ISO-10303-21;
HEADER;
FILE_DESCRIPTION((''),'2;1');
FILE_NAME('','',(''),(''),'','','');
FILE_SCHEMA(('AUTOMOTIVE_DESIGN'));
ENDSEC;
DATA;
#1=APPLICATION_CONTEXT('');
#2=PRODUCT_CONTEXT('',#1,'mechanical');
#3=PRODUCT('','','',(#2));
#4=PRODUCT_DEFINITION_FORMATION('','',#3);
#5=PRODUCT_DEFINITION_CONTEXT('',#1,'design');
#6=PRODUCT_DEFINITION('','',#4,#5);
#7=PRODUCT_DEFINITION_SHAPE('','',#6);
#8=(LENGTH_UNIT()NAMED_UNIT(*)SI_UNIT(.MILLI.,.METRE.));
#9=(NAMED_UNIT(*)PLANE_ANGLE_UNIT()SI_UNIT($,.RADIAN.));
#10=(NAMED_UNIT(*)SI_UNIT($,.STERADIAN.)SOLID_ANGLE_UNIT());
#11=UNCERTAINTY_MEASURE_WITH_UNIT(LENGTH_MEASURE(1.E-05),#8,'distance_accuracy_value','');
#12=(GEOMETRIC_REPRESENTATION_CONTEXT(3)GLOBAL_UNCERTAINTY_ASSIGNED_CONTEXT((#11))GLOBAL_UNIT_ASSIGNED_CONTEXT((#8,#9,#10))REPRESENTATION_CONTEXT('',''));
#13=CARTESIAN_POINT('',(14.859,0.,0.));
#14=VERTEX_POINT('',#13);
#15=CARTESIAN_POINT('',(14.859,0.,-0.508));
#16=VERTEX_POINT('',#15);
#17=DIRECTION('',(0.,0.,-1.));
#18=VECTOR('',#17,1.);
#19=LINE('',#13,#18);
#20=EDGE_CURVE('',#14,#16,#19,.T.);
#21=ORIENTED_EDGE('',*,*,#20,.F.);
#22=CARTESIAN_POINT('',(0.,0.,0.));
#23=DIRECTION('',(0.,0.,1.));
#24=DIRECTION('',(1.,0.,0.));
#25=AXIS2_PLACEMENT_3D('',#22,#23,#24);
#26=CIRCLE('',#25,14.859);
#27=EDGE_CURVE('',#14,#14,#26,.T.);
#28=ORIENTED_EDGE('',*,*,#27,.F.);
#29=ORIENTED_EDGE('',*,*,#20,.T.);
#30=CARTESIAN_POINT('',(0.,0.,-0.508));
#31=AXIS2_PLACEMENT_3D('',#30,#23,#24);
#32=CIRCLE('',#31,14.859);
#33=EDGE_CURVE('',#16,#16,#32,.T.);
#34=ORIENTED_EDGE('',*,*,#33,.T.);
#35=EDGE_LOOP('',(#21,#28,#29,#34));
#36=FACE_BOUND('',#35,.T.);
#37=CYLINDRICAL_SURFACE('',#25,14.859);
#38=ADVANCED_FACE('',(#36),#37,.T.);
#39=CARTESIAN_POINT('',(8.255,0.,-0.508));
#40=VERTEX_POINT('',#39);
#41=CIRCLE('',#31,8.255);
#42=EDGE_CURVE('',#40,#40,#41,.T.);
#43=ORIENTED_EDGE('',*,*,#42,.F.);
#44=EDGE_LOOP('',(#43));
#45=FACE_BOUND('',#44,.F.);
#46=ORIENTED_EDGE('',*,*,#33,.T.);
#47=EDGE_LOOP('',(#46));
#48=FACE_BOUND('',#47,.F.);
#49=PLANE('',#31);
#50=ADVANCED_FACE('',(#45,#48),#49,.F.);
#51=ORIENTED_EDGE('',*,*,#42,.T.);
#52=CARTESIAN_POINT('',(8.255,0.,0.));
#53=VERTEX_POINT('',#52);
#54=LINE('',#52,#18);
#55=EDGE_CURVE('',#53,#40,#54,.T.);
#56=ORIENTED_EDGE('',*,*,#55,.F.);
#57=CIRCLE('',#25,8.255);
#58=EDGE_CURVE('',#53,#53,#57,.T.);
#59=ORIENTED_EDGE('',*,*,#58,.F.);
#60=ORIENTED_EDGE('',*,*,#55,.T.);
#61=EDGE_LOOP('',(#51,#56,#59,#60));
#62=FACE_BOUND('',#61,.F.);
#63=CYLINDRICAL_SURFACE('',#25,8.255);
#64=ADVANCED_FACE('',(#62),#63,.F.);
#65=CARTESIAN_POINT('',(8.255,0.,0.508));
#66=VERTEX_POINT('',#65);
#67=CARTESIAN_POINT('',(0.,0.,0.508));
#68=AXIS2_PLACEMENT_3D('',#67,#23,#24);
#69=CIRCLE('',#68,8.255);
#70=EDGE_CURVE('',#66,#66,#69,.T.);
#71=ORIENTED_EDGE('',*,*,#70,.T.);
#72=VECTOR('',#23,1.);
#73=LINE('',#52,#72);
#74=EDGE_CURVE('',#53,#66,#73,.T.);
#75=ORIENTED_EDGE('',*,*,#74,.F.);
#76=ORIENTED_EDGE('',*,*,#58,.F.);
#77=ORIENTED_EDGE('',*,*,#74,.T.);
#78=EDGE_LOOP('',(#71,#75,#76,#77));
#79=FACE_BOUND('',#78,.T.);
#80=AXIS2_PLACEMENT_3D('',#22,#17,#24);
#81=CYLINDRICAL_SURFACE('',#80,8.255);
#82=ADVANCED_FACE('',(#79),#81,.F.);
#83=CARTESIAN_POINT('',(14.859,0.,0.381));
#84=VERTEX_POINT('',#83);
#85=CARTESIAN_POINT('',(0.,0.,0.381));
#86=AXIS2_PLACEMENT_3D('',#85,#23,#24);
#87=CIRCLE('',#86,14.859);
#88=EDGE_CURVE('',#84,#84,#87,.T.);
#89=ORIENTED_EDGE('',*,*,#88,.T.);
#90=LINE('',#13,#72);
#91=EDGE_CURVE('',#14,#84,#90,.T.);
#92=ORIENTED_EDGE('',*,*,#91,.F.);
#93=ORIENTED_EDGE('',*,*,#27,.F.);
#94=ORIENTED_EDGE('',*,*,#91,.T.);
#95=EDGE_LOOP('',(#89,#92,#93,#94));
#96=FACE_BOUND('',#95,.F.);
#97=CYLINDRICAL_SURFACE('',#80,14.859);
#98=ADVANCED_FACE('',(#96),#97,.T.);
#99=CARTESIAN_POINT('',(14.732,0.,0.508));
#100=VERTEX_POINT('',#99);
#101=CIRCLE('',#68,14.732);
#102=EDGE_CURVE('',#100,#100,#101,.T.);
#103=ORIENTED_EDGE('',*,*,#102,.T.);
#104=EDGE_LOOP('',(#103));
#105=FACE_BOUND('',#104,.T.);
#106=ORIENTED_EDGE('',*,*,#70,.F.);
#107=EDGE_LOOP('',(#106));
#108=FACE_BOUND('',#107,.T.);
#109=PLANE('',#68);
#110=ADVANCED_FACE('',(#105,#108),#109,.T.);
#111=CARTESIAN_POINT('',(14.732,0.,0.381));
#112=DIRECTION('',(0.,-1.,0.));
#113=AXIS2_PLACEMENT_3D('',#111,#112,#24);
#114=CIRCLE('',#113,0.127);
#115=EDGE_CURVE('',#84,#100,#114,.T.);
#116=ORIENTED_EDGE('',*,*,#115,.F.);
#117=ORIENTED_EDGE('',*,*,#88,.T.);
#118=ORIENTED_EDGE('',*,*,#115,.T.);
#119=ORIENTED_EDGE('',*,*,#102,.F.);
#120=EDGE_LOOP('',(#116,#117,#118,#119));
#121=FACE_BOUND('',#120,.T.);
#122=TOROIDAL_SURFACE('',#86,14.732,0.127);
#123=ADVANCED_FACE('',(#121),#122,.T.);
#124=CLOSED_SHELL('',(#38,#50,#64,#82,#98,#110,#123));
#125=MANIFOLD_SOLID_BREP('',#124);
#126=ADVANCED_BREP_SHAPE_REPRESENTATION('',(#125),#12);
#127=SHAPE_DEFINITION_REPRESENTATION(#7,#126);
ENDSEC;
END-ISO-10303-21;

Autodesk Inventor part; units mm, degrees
ref_plane "YZ Plane" through (0, 0, 0) normal (1, 0, 0) x (0, 1, 0)
ref_plane "XZ Plane" through (0, 0, 0) normal (0, 1, 0) x (-1, 0, 0)
ref_plane "XY Plane" through (0, 0, 0) normal (0, 0, 1) x (1, 0, 0)
sketch "Sketch1" plane through (0, 0, 0) normal (0, 0, 1) x (1, 0, 0)
  circle A0 centre (0, 0) radius 8.255
  circle A1 centre (0, 0) radius 14.859
  dimension "d0" = 16.51
  dimension "d1" = 29.718
extrude "Extrusion1" add sketch "Sketch1" along normal mid plane 1.016
fillet "Fillet1" radius 0.127 1 edges at (-14.859, 0, 0.508)
properties part number "Large Washer" material "Stainless Steel"
